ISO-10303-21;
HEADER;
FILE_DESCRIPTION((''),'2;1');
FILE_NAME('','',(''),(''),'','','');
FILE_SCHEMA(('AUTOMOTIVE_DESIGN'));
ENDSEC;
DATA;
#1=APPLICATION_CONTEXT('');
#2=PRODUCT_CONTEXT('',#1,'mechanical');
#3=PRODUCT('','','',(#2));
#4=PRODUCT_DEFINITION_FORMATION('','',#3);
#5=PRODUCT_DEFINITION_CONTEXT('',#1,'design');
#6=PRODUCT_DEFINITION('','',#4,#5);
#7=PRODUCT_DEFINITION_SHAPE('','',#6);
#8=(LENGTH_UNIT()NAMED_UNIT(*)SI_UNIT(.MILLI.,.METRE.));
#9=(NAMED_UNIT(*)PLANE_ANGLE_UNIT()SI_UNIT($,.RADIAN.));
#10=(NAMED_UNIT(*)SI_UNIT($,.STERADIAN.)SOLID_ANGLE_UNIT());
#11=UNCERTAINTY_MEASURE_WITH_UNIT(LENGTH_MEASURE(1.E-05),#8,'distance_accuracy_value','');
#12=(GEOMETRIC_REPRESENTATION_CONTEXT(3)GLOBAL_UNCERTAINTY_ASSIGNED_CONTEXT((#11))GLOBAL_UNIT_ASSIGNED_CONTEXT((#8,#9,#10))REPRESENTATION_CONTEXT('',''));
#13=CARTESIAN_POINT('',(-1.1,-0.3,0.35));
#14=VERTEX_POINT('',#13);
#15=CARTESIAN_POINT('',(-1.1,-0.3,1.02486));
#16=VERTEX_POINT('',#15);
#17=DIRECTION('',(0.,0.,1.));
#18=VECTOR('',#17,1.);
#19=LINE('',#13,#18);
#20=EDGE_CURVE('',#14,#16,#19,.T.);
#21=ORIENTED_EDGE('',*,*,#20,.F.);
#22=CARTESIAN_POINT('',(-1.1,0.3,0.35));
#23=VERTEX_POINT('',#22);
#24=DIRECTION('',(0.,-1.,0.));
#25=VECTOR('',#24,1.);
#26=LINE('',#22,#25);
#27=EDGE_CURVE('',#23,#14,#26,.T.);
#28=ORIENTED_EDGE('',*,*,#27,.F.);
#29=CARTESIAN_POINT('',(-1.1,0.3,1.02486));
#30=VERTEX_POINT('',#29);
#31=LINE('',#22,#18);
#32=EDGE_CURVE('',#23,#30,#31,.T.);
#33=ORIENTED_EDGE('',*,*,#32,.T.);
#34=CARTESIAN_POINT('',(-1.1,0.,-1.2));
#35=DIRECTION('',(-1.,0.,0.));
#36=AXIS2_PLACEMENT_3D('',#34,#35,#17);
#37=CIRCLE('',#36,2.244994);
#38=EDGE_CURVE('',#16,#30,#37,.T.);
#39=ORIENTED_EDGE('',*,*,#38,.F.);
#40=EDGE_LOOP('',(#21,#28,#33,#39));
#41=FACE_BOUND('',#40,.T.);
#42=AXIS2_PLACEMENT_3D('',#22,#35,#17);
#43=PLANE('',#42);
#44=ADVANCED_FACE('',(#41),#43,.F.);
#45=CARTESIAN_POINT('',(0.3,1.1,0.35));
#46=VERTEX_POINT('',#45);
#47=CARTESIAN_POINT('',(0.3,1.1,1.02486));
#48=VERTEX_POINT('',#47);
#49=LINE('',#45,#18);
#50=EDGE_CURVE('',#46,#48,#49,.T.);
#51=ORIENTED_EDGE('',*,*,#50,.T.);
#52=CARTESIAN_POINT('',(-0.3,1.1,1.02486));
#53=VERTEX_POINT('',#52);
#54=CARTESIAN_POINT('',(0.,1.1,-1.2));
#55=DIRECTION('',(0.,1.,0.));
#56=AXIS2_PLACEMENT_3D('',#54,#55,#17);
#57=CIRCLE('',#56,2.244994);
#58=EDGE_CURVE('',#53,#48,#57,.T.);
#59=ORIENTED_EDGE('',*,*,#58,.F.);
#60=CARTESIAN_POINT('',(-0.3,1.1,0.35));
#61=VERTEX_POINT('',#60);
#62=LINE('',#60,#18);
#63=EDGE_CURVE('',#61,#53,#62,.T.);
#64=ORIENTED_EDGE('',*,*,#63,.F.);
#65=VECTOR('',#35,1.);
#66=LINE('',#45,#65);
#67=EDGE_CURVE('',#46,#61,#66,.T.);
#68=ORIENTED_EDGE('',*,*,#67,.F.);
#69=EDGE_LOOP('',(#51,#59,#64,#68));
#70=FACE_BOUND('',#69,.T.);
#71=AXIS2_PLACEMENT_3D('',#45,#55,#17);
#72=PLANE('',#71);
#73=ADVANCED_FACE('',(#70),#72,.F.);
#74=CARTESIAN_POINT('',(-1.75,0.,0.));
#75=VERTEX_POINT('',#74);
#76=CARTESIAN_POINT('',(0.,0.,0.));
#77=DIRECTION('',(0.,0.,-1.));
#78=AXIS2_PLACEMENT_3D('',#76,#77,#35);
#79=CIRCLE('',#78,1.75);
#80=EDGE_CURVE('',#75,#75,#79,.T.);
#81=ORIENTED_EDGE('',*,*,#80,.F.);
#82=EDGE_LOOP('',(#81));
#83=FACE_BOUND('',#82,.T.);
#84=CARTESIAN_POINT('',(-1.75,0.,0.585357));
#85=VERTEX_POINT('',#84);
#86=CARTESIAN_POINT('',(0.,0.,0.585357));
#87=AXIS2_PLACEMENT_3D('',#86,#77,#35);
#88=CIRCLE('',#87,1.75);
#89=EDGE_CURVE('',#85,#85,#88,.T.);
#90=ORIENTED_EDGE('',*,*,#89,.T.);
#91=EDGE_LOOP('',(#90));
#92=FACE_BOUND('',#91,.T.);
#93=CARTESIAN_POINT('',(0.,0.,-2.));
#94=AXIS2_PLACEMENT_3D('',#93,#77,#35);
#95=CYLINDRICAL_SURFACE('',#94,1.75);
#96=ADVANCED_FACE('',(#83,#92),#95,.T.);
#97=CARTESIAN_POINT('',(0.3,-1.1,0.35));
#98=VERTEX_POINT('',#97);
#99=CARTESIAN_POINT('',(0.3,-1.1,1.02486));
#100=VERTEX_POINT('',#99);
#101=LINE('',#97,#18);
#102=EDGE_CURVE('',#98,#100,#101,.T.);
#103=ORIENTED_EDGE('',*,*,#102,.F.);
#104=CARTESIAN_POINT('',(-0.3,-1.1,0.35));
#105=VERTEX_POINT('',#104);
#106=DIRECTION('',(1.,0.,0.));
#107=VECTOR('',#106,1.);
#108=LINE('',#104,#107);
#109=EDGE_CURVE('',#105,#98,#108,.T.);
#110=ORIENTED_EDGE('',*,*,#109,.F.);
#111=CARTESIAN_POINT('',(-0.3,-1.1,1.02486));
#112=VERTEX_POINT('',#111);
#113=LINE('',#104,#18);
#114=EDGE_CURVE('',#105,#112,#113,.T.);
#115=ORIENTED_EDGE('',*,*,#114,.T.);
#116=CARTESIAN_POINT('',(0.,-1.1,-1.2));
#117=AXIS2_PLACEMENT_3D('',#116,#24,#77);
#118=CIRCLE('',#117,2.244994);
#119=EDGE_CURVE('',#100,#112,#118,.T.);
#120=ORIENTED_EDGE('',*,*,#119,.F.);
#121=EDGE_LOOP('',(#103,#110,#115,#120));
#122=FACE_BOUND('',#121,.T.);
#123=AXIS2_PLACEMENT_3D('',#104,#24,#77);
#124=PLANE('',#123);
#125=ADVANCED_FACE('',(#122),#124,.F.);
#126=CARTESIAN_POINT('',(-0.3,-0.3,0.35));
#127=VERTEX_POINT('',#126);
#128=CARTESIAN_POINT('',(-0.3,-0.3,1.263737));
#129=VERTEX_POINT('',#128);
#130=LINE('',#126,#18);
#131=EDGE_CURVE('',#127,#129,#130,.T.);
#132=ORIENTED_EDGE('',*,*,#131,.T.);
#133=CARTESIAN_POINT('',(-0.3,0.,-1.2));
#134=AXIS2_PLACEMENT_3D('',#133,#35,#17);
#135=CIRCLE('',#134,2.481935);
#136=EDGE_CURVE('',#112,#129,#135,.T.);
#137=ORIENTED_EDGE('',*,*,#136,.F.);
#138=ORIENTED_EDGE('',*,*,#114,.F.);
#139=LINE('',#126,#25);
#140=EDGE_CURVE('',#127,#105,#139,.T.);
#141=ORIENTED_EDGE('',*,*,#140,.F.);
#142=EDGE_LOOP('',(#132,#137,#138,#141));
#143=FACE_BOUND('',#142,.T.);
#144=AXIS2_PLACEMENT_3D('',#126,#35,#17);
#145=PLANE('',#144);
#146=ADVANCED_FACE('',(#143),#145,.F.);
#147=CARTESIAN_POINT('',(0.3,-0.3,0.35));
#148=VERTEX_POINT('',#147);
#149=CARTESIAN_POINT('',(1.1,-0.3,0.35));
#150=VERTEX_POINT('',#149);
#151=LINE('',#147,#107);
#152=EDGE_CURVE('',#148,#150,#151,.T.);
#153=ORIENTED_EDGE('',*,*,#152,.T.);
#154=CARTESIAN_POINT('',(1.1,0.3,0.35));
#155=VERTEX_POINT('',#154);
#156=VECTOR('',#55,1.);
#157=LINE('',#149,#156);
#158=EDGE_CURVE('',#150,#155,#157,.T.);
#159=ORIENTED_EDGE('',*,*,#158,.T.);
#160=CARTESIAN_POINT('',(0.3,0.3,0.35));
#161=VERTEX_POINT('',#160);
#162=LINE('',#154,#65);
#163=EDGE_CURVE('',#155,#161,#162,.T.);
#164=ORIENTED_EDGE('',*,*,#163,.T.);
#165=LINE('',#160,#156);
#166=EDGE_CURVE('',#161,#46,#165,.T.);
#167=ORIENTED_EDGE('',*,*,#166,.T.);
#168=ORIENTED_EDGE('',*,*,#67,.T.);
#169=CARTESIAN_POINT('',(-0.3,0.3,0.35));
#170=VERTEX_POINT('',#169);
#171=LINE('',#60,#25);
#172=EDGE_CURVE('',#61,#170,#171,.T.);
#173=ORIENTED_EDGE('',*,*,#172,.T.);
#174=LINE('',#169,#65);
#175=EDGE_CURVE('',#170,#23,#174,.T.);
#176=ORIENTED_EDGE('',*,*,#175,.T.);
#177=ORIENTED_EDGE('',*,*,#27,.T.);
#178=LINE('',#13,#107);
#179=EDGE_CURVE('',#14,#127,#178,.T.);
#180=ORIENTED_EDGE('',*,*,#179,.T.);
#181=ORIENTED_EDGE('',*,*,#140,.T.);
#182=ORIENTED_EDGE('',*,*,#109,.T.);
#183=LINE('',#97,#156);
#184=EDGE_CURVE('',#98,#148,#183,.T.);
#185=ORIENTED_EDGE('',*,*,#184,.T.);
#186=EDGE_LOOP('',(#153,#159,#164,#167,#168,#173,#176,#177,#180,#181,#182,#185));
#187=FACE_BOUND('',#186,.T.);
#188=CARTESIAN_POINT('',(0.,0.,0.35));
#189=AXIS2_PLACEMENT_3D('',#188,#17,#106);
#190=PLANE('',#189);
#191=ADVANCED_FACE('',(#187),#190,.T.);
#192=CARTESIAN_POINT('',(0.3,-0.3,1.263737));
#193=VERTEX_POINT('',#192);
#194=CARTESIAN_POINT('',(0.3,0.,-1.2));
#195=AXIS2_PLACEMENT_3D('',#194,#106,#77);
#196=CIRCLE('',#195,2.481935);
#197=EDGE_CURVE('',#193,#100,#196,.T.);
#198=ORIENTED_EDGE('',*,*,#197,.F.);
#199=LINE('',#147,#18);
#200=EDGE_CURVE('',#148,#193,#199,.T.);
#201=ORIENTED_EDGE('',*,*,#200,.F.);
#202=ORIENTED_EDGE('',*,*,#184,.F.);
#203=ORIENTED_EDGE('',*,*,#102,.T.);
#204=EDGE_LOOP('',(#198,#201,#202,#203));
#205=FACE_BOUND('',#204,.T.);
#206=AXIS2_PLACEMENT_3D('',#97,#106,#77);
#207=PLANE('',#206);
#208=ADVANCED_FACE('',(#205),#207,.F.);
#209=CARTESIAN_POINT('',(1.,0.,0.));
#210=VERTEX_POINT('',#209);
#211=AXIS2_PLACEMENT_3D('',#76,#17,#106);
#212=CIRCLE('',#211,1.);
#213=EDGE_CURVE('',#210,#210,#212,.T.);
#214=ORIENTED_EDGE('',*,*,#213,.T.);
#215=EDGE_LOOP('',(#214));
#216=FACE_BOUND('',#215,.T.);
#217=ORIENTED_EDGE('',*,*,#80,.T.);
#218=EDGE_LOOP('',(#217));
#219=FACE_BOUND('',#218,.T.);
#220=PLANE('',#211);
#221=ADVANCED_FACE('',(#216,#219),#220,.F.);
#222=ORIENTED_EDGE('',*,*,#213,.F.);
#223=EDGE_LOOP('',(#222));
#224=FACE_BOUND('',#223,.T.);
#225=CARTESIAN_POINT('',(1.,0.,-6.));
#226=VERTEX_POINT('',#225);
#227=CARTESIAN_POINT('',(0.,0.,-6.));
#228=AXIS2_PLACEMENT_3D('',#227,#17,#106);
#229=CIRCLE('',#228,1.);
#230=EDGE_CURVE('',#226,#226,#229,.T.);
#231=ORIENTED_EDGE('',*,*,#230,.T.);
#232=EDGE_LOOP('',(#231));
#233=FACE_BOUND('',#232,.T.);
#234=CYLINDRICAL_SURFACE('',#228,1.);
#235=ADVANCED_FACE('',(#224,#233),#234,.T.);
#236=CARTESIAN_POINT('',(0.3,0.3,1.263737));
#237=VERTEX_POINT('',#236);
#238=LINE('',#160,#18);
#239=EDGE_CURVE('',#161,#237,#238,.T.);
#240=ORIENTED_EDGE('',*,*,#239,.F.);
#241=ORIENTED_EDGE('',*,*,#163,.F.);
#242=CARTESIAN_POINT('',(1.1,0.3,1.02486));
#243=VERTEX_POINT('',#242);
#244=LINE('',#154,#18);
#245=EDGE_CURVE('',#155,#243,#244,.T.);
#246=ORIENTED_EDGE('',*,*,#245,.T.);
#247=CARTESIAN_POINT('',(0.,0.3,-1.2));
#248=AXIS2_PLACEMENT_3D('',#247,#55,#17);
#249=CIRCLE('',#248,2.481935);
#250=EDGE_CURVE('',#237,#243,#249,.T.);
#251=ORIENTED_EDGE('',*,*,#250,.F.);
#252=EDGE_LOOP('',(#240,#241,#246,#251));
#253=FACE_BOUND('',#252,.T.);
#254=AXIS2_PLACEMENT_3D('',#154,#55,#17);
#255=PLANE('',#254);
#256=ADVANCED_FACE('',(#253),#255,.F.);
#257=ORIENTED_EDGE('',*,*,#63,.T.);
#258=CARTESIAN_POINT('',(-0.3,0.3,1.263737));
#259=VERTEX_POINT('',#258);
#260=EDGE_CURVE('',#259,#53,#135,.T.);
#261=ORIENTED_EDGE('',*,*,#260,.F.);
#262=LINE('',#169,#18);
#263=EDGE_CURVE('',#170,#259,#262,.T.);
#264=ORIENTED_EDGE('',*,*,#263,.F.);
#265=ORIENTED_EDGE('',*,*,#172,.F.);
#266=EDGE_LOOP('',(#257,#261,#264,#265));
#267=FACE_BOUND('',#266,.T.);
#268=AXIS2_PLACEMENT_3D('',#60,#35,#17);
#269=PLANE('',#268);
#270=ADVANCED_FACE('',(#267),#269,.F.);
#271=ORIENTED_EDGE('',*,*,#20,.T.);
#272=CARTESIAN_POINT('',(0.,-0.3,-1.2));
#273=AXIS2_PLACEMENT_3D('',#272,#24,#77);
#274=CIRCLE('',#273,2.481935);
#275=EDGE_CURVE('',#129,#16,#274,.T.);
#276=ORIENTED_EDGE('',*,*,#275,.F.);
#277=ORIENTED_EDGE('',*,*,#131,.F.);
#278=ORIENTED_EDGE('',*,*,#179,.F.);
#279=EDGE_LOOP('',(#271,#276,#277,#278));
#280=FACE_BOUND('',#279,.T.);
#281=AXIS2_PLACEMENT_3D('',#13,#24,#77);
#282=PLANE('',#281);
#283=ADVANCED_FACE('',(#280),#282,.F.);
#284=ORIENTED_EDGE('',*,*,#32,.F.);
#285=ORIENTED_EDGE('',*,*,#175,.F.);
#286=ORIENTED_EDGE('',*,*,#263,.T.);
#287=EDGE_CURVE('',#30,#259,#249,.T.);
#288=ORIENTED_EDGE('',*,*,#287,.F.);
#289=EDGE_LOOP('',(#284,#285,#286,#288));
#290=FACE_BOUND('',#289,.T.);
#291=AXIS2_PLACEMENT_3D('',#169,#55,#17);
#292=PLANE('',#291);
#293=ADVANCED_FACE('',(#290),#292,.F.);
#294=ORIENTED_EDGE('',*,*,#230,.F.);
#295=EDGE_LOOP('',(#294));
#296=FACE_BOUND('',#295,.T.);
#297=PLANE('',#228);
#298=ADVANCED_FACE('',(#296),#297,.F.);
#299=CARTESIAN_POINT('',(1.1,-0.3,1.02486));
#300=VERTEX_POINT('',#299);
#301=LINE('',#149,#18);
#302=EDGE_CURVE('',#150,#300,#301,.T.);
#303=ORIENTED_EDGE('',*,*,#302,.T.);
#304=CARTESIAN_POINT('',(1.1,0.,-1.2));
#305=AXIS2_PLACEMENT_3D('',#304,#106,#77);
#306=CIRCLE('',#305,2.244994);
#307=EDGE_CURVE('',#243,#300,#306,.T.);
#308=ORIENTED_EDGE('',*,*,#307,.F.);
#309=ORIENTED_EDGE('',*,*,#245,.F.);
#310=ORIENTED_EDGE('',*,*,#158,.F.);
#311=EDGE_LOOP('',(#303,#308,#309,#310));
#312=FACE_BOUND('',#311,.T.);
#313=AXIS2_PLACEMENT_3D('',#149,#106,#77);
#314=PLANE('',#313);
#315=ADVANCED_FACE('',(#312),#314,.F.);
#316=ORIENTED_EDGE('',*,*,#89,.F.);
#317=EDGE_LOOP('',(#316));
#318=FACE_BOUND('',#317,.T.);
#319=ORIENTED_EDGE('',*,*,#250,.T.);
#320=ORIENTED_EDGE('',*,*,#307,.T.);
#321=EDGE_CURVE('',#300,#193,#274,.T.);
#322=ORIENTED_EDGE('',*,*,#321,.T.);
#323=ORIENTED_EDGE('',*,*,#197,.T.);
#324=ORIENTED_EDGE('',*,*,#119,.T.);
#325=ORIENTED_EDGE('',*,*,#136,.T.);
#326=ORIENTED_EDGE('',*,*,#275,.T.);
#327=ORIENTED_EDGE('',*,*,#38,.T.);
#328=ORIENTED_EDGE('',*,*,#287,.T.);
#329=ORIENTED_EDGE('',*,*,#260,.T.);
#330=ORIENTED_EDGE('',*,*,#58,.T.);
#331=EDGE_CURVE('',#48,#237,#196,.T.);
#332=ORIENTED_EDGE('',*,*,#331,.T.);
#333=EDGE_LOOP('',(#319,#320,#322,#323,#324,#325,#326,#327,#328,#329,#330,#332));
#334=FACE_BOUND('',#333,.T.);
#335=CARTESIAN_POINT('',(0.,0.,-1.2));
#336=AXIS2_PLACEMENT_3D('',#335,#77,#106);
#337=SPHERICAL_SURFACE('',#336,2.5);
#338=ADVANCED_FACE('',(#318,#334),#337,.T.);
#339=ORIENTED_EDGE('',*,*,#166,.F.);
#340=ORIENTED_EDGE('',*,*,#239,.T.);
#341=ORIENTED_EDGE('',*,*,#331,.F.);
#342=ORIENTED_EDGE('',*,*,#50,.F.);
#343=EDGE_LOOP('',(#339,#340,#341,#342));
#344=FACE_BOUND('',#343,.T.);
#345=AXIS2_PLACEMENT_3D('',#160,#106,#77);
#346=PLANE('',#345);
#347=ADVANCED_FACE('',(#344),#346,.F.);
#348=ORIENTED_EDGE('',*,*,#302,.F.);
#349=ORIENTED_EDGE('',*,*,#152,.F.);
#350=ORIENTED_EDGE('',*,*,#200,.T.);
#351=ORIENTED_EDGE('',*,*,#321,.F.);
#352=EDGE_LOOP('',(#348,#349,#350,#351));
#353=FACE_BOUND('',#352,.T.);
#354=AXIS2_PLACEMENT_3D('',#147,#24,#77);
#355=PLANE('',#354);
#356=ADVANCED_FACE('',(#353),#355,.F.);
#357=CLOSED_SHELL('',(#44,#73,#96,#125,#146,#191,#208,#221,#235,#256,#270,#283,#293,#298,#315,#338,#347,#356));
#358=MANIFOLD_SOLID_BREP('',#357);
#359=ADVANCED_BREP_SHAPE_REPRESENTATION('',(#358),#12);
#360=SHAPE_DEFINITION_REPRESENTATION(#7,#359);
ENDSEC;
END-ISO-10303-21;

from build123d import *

# Parameters (mm, degrees)
SKETCH_1_R        = 1
EXTRUDE_198_DEPTH = 6
PH1_START         = 1.31
PH1_DEPTH         = 0.96


with BuildPart() as part:
    # 草图1 → Extrude 198 (new body)
    with BuildSketch(Plane.XY):
        Circle(SKETCH_1_R)
    extrude(amount=-EXTRUDE_198_DEPTH)

    # 草图6 → Revolve 324 (revolve)
    with BuildSketch(Plane(origin=(0, 0, 0), x_dir=(1, 0, 0), z_dir=(0, 1, 0)), mode=Mode.PRIVATE) as revolve_324_sk:
        with BuildLine():
            Line((0, 0), (1.75, 0))
            Line((1.75, 0), (1.75, -0.585357107))
            ThreePointArc((1.75, -0.585357107), (0.945147404, -1.114453798), (0, -1.3))
            Line((0, -1.3), (0, 0))
        make_face()
    revolve(revolve_324_sk.sketch.rotate(Axis((0, 0, -2), (0, 0, 1)), 180), axis=Axis((0, 0, -2), (0, 0, 1)))

    # 草图7 → 十字槽_PH1_简化 (cut)
    with BuildSketch(Plane.XY.offset(PH1_START)):
        Polygon((-0.3, -1.1), (0.3, -1.1), (0.3, -0.3), (1.1, -0.3), (1.1, 0.3), (0.3, 0.3), (0.3, 1.1), (-0.3, 1.1), (-0.3, 0.3), (-1.1, 0.3), (-1.1, -0.3), (-0.3, -0.3), align=None)
    extrude(amount=-PH1_DEPTH, mode=Mode.SUBTRACT)


solid = part.part
